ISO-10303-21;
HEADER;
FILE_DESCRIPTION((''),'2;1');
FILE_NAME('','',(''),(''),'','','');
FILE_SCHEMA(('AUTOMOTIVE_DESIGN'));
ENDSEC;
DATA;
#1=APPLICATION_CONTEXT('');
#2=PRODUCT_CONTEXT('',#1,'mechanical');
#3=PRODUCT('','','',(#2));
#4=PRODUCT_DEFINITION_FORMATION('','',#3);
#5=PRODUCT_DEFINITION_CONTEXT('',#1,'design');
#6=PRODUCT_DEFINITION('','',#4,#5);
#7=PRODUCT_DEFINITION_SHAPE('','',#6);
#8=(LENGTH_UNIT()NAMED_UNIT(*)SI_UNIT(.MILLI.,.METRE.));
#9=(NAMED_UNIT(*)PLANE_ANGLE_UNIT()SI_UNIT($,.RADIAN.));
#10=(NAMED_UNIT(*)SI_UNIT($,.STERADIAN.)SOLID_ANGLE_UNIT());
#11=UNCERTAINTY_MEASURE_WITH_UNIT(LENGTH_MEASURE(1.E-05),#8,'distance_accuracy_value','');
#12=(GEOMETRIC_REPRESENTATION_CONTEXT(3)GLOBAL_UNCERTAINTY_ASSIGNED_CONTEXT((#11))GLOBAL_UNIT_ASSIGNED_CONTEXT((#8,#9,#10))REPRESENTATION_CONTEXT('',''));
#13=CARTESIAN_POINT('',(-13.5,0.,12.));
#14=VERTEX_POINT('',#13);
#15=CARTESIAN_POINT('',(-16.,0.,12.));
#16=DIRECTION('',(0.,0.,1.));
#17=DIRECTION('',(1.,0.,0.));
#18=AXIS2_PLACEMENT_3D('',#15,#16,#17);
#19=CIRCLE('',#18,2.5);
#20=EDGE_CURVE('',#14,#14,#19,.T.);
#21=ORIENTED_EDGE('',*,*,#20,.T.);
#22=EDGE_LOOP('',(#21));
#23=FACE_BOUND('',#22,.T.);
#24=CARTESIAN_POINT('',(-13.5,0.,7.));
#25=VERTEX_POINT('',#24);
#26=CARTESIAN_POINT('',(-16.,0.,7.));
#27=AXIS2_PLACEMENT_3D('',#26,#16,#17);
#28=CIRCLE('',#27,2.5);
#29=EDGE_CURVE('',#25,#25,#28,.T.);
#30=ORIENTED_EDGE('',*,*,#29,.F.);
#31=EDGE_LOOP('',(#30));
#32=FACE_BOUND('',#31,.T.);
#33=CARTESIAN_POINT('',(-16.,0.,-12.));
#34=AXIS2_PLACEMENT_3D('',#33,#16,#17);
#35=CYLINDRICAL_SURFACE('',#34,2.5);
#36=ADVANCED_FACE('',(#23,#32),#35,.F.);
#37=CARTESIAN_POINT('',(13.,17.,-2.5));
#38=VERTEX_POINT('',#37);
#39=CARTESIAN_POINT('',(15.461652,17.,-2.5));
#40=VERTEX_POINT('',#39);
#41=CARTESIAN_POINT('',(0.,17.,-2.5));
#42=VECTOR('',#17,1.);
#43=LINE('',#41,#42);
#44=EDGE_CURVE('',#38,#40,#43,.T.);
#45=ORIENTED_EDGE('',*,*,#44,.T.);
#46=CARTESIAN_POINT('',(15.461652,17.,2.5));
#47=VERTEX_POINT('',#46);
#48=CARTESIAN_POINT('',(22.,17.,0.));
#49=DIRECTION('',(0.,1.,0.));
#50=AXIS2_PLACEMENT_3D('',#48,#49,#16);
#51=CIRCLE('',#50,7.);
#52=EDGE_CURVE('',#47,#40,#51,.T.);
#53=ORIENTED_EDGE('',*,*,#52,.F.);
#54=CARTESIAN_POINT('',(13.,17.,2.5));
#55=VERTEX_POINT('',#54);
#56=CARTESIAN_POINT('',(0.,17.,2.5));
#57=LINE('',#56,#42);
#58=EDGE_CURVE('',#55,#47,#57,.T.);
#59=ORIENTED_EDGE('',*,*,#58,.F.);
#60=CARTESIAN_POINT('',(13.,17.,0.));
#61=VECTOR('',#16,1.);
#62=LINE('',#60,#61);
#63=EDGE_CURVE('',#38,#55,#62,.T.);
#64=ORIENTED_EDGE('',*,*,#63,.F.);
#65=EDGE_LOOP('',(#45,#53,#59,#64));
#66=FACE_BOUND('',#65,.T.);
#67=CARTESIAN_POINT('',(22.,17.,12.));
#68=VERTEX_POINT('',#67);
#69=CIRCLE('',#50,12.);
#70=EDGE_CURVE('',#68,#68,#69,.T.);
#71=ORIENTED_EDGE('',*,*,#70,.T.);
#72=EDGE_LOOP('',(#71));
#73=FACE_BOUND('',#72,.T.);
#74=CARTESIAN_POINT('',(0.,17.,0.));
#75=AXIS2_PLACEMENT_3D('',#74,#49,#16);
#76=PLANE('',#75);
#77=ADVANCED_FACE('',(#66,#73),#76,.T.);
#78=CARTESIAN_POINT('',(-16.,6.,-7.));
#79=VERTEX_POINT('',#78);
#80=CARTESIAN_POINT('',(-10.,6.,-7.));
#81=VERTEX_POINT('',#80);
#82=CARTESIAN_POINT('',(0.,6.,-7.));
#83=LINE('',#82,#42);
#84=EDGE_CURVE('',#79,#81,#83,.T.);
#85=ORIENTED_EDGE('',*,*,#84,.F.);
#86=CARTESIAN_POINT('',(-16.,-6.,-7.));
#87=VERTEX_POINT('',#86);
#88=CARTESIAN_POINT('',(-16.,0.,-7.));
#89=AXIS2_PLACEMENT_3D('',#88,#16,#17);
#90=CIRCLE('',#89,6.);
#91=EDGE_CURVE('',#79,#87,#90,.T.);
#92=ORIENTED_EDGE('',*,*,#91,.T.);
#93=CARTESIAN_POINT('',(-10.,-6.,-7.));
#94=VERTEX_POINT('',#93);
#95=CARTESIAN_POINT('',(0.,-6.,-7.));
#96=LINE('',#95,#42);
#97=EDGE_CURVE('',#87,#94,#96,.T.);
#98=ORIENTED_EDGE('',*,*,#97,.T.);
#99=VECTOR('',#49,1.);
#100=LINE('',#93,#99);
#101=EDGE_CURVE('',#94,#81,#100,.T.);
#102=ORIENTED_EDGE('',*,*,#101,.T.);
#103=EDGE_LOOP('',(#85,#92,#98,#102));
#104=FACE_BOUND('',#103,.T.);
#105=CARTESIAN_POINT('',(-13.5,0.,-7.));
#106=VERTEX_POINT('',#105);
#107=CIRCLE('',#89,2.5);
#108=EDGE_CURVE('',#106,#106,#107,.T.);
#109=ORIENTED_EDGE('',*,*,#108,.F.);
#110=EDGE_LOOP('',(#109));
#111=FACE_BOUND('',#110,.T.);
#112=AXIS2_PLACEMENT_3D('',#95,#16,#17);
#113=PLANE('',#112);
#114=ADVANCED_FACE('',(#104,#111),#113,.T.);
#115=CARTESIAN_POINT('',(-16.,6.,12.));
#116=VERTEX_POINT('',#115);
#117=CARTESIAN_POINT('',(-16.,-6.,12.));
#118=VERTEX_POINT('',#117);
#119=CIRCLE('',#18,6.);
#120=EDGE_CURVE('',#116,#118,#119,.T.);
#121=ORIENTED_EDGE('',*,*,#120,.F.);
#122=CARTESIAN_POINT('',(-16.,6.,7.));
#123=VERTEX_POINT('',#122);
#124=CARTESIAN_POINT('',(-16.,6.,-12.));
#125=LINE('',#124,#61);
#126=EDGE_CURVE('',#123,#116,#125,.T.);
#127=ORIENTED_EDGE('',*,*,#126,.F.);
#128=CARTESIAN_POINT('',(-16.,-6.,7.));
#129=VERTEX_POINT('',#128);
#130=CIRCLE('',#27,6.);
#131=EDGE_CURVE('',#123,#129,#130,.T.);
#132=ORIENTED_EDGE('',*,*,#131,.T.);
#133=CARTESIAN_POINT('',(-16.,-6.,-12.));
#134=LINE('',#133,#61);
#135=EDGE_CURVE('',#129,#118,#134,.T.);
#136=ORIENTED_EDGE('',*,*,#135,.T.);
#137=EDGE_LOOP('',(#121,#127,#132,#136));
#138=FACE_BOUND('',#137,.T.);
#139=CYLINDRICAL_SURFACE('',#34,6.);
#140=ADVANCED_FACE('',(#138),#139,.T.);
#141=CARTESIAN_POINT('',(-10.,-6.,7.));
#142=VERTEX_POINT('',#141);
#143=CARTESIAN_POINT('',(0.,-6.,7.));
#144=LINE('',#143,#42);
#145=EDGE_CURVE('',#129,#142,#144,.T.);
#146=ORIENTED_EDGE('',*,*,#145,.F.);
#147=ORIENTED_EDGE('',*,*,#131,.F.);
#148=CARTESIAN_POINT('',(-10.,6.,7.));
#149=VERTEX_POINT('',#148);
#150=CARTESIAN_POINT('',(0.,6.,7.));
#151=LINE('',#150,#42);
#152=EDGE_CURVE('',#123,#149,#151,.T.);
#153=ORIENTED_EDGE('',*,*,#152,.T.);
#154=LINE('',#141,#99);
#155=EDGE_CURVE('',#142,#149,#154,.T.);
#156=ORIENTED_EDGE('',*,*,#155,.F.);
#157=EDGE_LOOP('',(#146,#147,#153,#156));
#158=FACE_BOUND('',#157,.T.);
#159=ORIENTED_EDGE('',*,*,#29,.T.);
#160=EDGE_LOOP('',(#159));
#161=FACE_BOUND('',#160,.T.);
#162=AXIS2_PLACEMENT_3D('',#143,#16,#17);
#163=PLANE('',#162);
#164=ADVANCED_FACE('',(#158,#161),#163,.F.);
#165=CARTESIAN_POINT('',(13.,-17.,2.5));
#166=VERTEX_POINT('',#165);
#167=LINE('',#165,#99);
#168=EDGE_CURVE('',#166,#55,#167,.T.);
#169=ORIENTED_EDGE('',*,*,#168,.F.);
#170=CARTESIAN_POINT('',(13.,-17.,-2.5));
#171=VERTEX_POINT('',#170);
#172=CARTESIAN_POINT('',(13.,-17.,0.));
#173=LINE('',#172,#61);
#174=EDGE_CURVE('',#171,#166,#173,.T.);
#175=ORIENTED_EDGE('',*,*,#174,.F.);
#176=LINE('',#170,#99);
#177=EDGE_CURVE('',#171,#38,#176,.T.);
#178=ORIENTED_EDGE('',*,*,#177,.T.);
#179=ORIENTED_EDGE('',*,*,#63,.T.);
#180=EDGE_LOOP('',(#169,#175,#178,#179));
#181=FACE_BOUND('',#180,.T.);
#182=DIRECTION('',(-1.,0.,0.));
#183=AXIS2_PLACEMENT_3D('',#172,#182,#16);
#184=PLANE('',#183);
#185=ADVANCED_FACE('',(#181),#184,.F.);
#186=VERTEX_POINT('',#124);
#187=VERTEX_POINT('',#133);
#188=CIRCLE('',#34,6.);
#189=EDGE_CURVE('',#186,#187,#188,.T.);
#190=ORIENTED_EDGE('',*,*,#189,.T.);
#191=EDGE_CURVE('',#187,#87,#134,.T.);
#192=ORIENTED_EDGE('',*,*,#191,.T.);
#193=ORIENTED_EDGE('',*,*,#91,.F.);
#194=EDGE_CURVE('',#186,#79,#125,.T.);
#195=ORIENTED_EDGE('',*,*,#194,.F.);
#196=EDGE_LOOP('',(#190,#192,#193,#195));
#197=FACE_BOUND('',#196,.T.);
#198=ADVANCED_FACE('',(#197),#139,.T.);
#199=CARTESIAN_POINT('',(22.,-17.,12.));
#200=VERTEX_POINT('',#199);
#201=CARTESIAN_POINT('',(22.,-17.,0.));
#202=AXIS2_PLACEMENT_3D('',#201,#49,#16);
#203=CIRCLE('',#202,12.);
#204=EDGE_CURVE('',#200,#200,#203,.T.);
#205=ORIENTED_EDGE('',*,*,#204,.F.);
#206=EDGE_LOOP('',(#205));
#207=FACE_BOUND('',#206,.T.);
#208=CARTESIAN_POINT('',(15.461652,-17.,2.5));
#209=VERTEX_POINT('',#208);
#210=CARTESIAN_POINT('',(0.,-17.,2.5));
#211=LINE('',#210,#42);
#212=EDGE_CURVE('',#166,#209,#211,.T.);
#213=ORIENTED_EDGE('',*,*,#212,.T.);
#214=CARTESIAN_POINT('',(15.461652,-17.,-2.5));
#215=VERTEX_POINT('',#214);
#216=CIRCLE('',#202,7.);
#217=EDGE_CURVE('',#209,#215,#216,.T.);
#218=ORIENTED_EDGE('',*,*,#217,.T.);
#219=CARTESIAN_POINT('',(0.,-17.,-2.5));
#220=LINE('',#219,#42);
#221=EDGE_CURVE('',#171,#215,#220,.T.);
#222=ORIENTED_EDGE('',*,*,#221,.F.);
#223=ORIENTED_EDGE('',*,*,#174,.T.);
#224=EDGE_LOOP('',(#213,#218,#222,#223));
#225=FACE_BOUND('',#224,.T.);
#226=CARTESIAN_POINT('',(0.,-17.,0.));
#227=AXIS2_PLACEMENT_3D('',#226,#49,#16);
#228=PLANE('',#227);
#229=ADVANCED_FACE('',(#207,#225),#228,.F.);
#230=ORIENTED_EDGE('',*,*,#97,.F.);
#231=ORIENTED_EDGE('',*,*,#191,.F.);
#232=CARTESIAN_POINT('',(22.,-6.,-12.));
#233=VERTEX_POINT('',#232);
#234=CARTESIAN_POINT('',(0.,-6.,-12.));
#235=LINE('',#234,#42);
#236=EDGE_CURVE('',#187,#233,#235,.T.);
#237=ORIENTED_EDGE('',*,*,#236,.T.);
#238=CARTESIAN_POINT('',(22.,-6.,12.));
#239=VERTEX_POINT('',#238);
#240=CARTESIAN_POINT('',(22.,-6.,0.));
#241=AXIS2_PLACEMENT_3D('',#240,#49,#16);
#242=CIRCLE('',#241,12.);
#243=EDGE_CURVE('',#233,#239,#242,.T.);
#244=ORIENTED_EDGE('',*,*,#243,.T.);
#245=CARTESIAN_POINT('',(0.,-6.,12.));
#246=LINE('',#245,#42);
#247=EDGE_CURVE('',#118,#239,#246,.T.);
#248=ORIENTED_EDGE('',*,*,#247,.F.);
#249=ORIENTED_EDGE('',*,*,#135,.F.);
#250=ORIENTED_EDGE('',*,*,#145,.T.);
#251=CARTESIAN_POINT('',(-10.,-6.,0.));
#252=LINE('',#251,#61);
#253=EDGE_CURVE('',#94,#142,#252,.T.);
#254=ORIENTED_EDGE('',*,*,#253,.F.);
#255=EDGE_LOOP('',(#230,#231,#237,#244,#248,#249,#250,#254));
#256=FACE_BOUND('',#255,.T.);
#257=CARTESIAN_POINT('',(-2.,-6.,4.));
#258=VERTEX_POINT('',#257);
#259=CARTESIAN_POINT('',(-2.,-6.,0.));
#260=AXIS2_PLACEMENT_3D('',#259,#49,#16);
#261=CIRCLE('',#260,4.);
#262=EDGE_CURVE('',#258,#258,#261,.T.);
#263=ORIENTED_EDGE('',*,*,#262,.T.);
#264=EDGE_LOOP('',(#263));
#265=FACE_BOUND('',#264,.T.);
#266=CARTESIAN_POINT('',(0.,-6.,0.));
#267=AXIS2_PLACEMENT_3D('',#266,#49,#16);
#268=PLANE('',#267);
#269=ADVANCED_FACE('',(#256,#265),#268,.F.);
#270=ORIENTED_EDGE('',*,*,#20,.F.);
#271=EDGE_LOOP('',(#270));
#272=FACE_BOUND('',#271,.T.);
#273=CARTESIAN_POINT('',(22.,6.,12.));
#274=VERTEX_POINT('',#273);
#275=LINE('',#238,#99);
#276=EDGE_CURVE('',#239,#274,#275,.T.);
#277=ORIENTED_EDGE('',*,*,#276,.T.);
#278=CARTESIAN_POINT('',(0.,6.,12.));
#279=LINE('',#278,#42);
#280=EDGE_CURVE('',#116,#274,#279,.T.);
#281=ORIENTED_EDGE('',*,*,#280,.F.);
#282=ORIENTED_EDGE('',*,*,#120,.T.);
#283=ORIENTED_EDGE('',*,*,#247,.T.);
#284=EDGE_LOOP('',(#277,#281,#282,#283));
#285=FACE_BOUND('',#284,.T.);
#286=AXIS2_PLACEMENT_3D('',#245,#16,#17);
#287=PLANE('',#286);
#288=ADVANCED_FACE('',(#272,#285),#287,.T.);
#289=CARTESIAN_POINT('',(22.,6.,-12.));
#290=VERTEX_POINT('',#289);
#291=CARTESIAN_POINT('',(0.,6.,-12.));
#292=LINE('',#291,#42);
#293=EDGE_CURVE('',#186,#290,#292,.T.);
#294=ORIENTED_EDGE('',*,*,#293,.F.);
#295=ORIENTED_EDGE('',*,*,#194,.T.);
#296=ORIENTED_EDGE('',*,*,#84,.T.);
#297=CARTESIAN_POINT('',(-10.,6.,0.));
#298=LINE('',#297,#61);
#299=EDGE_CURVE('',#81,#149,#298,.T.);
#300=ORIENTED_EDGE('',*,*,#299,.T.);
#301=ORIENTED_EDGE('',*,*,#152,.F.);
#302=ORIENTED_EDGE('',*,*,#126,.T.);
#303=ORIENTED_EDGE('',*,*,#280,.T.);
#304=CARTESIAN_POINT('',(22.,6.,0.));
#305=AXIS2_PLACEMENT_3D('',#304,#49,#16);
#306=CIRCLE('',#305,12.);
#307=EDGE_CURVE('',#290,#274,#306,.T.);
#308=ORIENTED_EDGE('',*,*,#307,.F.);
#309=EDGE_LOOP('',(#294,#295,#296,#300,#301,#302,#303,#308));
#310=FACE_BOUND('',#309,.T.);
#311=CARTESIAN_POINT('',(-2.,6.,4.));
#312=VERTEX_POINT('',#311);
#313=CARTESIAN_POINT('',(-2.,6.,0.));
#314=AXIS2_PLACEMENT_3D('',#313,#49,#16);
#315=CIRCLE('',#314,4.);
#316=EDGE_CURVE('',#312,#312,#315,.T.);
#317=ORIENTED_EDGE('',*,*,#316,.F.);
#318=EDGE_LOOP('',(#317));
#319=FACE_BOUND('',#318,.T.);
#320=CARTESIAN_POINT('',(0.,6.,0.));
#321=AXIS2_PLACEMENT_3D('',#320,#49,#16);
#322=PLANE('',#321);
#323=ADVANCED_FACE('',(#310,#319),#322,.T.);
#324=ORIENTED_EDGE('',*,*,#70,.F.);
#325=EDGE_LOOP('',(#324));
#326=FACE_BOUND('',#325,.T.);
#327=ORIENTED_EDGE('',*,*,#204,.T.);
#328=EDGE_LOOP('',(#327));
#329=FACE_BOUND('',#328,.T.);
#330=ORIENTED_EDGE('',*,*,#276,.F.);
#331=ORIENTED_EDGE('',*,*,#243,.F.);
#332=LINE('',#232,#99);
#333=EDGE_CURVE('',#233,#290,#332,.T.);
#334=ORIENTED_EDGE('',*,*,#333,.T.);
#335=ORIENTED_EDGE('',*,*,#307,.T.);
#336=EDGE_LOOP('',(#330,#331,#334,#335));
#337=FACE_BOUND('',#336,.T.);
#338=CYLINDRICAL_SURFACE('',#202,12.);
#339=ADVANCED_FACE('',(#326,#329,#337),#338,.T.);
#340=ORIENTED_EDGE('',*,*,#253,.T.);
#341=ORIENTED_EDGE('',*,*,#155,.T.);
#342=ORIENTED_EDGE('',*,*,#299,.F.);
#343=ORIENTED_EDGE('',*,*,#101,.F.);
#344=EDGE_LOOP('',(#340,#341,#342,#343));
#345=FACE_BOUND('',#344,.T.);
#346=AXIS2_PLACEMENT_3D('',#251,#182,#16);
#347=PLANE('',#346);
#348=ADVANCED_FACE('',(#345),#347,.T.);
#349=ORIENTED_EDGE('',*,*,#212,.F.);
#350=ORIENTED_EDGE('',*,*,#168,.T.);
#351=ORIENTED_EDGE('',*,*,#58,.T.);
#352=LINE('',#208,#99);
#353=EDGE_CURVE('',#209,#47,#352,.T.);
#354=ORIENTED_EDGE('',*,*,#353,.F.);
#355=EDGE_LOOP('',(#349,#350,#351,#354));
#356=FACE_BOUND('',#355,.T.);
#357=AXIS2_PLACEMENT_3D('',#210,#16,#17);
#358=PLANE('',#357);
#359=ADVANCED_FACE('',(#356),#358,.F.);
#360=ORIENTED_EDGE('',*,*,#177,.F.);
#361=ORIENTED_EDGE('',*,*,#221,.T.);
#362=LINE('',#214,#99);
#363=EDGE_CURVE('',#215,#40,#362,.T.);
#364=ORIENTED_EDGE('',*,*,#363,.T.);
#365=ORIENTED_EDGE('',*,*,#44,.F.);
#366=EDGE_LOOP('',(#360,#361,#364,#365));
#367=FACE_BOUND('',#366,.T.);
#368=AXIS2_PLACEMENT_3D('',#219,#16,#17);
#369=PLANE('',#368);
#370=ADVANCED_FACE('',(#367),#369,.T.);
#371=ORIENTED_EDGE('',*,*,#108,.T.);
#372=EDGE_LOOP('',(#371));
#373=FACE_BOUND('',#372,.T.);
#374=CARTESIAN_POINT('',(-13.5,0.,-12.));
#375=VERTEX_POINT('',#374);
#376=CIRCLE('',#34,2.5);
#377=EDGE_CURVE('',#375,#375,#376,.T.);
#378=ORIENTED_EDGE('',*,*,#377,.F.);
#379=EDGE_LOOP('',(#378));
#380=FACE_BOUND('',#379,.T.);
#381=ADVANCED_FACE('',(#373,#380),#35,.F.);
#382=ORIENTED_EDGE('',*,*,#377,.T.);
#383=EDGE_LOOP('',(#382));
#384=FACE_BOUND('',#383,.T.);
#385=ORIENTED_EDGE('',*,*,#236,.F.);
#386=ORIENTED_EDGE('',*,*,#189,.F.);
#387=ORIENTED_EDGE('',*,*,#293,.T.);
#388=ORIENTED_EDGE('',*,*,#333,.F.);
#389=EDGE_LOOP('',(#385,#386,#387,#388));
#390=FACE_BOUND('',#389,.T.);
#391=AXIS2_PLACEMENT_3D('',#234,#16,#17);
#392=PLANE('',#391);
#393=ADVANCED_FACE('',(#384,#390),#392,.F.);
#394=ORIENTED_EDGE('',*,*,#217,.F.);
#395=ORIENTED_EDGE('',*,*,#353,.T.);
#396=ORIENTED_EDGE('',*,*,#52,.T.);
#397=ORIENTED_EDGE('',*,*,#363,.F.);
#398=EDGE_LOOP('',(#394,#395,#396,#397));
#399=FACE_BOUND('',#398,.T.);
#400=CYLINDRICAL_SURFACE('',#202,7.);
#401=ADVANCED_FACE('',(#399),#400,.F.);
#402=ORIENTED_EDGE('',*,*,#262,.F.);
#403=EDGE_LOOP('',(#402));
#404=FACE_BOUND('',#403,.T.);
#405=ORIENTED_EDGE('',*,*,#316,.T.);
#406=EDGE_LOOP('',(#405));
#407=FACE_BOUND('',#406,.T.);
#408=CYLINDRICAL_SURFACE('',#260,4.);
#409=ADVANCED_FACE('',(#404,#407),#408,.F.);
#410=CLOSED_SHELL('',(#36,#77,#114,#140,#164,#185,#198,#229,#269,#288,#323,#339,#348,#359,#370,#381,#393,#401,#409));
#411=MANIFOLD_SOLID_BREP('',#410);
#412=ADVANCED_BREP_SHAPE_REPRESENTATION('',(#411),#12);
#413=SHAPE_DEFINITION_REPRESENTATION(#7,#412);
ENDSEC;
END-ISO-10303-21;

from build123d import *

# Parameters (mm, degrees)
BOSS_EXTRUDE1_DEPTH      = 17
BOSS_EXTRUDE1_DEPTH_BACK = 17
SKETCH1_R                = 12
BOSS_EXTRUDE2_DEPTH      = 6
BOSS_EXTRUDE2_DEPTH_BACK = 6
SKETCH1_3_R              = 4
SKETCH2_R                = 2.5
CUT_EXTRUDE1_DEPTH       = 45.955533586


with BuildPart() as part:
    # Sketch1 → Boss-Extrude1 (new, two sides: drawn at the far end of the back side and taken through both)
    with BuildSketch(Plane(origin=(0, 0, 0), x_dir=(1, 0, 0), z_dir=(0, 1, 0)).offset(-BOSS_EXTRUDE1_DEPTH_BACK)):
        with Locations((22, 0)):
            Circle(SKETCH1_R)
        with BuildLine():
            ThreePointArc((15.461651585, 2.5), (29, 0), (15.461651585, -2.5))
            Line((15.461651585, -2.5), (13, -2.5))
            Line((13, -2.5), (13, 2.5))
            Line((13, 2.5), (15.461651585, 2.5))
        make_face(mode=Mode.SUBTRACT)
    extrude(amount=BOSS_EXTRUDE1_DEPTH + BOSS_EXTRUDE1_DEPTH_BACK)

    # Sketch1<3> → Boss-Extrude2 (add, two sides: drawn at the far end of the back side and taken through both)
    with BuildSketch(Plane(origin=(0, 0, 0), x_dir=(1, 0, 0), z_dir=(0, 1, 0)).offset(-BOSS_EXTRUDE2_DEPTH_BACK)):
        with BuildLine():
            Line((-22, -7), (-22, -12))
            Line((-22, -12), (22, -12))
            ThreePointArc((22, -12), (10, 0), (22, 12))
            Line((22, 12), (-22, 12))
            Line((-22, 12), (-22, 7))
            Line((-22, 7), (-10, 7))
            Line((-10, 7), (-10, -7))
            Line((-10, -7), (-22, -7))
        make_face()
        with Locations((-2, 0)):
            Circle(SKETCH1_3_R, mode=Mode.SUBTRACT)
    extrude(amount=BOSS_EXTRUDE2_DEPTH + BOSS_EXTRUDE2_DEPTH_BACK)

    # Sketch2 → Cut-Extrude1 (cut, through all)
    with BuildSketch(Plane.XY.offset(12)):
        with BuildLine():
            Line((-16, 6), (-22, 6))
            Line((-22, 6), (-22, -5e-09))
            ThreePointArc((-22, -5e-09), (-20.242640689, 4.242640685), (-16, 6))
        make_face()
        with BuildLine():
            ThreePointArc((-16, -6), (-20.242640685, -4.242640689), (-22, -5e-09))
            Line((-22, -5e-09), (-22, -6))
            Line((-22, -6), (-16, -6))
        make_face()
        with Locations((-16, 0)):
            Circle(SKETCH2_R)
    extrude(amount=-CUT_EXTRUDE1_DEPTH, mode=Mode.SUBTRACT)


solid = part.part
